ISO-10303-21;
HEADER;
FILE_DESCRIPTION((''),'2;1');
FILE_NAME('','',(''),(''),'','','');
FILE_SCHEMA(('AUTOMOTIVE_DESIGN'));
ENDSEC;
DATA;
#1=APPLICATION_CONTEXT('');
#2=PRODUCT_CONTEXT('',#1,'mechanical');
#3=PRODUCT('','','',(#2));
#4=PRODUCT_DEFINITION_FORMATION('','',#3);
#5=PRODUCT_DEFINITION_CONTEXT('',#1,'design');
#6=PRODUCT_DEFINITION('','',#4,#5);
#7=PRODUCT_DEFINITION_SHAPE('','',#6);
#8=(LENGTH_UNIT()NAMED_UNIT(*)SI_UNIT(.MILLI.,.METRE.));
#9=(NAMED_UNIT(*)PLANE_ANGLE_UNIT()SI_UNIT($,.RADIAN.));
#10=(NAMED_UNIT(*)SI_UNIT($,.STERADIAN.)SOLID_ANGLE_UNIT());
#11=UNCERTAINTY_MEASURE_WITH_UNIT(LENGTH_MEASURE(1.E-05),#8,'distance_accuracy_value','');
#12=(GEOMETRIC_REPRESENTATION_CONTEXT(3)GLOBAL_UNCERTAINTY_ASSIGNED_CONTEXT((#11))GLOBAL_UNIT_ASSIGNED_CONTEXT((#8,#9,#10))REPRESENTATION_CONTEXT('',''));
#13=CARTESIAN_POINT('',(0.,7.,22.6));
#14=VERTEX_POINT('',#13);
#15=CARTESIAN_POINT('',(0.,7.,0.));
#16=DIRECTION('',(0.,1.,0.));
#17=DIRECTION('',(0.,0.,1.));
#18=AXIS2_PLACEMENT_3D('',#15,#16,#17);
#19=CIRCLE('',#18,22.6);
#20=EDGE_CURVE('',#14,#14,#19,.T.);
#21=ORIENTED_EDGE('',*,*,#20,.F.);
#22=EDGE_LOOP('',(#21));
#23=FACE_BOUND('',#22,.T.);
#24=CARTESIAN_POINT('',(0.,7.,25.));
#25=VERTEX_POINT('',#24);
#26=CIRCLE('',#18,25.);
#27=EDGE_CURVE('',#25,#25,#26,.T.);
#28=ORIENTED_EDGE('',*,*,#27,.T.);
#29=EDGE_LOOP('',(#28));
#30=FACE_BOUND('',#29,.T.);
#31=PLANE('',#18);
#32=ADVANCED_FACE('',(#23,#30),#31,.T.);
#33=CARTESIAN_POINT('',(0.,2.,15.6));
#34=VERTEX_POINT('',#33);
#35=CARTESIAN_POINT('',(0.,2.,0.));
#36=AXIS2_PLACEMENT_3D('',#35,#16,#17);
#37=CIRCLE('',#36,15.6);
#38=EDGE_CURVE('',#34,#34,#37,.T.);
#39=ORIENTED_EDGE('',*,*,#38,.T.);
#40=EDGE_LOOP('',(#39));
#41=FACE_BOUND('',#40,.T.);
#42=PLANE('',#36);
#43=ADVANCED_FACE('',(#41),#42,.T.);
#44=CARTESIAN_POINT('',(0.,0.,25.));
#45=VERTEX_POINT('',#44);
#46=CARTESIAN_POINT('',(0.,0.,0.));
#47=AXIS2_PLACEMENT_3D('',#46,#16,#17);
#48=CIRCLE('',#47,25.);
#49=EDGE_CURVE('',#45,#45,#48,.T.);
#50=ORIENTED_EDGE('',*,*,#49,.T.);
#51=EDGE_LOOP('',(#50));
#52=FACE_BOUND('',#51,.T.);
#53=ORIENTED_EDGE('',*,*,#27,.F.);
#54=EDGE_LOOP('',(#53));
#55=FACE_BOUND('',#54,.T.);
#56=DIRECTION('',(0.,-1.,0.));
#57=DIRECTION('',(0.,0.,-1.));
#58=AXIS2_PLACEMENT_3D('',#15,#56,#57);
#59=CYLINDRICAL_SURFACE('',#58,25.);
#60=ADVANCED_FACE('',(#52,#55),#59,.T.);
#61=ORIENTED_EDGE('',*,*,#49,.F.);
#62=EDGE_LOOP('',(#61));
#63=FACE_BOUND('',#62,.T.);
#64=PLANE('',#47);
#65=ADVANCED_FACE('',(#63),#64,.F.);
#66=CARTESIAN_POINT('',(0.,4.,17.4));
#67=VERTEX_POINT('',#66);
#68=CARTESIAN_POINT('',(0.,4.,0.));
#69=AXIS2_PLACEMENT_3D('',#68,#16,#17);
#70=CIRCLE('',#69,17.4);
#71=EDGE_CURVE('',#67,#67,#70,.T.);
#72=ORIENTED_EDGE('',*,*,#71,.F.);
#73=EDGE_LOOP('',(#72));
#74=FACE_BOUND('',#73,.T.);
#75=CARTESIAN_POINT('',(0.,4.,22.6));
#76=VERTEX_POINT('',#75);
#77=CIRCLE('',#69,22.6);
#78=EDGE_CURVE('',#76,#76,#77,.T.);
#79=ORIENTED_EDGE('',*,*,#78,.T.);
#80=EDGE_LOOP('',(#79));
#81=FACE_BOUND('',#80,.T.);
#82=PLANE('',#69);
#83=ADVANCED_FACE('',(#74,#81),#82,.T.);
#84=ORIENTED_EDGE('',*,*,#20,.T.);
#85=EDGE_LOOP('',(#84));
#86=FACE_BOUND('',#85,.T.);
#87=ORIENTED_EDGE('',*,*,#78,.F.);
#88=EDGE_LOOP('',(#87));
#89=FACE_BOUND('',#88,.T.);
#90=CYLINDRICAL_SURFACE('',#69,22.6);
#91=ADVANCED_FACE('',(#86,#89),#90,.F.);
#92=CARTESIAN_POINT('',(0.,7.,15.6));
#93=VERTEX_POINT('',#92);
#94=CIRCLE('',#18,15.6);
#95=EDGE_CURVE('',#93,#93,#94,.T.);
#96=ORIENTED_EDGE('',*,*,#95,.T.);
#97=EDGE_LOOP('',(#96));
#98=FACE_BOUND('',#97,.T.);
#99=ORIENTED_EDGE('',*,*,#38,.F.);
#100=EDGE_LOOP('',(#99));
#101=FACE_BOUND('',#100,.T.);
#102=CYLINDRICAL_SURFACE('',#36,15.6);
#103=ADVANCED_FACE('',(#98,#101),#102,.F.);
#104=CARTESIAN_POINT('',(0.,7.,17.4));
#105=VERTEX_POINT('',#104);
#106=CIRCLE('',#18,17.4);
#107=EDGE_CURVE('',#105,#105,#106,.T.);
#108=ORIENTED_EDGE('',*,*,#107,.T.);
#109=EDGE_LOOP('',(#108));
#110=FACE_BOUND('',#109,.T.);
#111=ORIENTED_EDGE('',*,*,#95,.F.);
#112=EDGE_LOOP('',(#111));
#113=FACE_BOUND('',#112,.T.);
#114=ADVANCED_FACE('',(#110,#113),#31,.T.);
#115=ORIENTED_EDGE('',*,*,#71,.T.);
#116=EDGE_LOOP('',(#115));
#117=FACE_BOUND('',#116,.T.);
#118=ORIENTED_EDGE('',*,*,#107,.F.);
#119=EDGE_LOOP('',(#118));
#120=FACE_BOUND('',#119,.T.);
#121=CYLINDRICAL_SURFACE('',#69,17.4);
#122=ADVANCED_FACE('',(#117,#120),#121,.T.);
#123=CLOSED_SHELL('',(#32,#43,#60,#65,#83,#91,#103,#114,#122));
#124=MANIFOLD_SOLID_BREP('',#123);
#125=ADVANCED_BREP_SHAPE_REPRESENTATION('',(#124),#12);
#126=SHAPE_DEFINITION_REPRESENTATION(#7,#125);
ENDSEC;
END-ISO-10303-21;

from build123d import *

# Parameters (mm, degrees)
ESQUISSE2_R             = 25
BOSS_EXTRU_1_DEPTH      = 7
ESQUISSE3_R             = 15.6
ENL_V_MAT_EXTRU_1_DEPTH = 5
ESQUISSE5_R             = 22.6
ESQUISSE5_R_2           = 17.4
ENL_V_MAT_EXTRU_2_DEPTH = 3


with BuildPart() as part:
    # Esquisse2 → Boss.-Extru.1 (new body)
    with BuildSketch(Plane(origin=(0, 0, 0), x_dir=(1, 0, 0), z_dir=(0, 1, 0))):
        Circle(ESQUISSE2_R)
    extrude(amount=BOSS_EXTRU_1_DEPTH)

    # Esquisse3 → Enlèv. mat.-Extru.1 (cut)
    with BuildSketch(Plane(origin=(0, 7, 0), x_dir=(1, 0, 0), z_dir=(0, 1, 0))):
        Circle(ESQUISSE3_R)
    extrude(amount=-ENL_V_MAT_EXTRU_1_DEPTH, mode=Mode.SUBTRACT)

    # Esquisse5 → Enlèv. mat.-Extru.2 (cut)
    with BuildSketch(Plane(origin=(0, 7, 0), x_dir=(1, 0, 0), z_dir=(0, 1, 0))):
        Circle(ESQUISSE5_R)
        Circle(ESQUISSE5_R_2, mode=Mode.SUBTRACT)
    extrude(amount=-ENL_V_MAT_EXTRU_2_DEPTH, mode=Mode.SUBTRACT)


solid = part.part
